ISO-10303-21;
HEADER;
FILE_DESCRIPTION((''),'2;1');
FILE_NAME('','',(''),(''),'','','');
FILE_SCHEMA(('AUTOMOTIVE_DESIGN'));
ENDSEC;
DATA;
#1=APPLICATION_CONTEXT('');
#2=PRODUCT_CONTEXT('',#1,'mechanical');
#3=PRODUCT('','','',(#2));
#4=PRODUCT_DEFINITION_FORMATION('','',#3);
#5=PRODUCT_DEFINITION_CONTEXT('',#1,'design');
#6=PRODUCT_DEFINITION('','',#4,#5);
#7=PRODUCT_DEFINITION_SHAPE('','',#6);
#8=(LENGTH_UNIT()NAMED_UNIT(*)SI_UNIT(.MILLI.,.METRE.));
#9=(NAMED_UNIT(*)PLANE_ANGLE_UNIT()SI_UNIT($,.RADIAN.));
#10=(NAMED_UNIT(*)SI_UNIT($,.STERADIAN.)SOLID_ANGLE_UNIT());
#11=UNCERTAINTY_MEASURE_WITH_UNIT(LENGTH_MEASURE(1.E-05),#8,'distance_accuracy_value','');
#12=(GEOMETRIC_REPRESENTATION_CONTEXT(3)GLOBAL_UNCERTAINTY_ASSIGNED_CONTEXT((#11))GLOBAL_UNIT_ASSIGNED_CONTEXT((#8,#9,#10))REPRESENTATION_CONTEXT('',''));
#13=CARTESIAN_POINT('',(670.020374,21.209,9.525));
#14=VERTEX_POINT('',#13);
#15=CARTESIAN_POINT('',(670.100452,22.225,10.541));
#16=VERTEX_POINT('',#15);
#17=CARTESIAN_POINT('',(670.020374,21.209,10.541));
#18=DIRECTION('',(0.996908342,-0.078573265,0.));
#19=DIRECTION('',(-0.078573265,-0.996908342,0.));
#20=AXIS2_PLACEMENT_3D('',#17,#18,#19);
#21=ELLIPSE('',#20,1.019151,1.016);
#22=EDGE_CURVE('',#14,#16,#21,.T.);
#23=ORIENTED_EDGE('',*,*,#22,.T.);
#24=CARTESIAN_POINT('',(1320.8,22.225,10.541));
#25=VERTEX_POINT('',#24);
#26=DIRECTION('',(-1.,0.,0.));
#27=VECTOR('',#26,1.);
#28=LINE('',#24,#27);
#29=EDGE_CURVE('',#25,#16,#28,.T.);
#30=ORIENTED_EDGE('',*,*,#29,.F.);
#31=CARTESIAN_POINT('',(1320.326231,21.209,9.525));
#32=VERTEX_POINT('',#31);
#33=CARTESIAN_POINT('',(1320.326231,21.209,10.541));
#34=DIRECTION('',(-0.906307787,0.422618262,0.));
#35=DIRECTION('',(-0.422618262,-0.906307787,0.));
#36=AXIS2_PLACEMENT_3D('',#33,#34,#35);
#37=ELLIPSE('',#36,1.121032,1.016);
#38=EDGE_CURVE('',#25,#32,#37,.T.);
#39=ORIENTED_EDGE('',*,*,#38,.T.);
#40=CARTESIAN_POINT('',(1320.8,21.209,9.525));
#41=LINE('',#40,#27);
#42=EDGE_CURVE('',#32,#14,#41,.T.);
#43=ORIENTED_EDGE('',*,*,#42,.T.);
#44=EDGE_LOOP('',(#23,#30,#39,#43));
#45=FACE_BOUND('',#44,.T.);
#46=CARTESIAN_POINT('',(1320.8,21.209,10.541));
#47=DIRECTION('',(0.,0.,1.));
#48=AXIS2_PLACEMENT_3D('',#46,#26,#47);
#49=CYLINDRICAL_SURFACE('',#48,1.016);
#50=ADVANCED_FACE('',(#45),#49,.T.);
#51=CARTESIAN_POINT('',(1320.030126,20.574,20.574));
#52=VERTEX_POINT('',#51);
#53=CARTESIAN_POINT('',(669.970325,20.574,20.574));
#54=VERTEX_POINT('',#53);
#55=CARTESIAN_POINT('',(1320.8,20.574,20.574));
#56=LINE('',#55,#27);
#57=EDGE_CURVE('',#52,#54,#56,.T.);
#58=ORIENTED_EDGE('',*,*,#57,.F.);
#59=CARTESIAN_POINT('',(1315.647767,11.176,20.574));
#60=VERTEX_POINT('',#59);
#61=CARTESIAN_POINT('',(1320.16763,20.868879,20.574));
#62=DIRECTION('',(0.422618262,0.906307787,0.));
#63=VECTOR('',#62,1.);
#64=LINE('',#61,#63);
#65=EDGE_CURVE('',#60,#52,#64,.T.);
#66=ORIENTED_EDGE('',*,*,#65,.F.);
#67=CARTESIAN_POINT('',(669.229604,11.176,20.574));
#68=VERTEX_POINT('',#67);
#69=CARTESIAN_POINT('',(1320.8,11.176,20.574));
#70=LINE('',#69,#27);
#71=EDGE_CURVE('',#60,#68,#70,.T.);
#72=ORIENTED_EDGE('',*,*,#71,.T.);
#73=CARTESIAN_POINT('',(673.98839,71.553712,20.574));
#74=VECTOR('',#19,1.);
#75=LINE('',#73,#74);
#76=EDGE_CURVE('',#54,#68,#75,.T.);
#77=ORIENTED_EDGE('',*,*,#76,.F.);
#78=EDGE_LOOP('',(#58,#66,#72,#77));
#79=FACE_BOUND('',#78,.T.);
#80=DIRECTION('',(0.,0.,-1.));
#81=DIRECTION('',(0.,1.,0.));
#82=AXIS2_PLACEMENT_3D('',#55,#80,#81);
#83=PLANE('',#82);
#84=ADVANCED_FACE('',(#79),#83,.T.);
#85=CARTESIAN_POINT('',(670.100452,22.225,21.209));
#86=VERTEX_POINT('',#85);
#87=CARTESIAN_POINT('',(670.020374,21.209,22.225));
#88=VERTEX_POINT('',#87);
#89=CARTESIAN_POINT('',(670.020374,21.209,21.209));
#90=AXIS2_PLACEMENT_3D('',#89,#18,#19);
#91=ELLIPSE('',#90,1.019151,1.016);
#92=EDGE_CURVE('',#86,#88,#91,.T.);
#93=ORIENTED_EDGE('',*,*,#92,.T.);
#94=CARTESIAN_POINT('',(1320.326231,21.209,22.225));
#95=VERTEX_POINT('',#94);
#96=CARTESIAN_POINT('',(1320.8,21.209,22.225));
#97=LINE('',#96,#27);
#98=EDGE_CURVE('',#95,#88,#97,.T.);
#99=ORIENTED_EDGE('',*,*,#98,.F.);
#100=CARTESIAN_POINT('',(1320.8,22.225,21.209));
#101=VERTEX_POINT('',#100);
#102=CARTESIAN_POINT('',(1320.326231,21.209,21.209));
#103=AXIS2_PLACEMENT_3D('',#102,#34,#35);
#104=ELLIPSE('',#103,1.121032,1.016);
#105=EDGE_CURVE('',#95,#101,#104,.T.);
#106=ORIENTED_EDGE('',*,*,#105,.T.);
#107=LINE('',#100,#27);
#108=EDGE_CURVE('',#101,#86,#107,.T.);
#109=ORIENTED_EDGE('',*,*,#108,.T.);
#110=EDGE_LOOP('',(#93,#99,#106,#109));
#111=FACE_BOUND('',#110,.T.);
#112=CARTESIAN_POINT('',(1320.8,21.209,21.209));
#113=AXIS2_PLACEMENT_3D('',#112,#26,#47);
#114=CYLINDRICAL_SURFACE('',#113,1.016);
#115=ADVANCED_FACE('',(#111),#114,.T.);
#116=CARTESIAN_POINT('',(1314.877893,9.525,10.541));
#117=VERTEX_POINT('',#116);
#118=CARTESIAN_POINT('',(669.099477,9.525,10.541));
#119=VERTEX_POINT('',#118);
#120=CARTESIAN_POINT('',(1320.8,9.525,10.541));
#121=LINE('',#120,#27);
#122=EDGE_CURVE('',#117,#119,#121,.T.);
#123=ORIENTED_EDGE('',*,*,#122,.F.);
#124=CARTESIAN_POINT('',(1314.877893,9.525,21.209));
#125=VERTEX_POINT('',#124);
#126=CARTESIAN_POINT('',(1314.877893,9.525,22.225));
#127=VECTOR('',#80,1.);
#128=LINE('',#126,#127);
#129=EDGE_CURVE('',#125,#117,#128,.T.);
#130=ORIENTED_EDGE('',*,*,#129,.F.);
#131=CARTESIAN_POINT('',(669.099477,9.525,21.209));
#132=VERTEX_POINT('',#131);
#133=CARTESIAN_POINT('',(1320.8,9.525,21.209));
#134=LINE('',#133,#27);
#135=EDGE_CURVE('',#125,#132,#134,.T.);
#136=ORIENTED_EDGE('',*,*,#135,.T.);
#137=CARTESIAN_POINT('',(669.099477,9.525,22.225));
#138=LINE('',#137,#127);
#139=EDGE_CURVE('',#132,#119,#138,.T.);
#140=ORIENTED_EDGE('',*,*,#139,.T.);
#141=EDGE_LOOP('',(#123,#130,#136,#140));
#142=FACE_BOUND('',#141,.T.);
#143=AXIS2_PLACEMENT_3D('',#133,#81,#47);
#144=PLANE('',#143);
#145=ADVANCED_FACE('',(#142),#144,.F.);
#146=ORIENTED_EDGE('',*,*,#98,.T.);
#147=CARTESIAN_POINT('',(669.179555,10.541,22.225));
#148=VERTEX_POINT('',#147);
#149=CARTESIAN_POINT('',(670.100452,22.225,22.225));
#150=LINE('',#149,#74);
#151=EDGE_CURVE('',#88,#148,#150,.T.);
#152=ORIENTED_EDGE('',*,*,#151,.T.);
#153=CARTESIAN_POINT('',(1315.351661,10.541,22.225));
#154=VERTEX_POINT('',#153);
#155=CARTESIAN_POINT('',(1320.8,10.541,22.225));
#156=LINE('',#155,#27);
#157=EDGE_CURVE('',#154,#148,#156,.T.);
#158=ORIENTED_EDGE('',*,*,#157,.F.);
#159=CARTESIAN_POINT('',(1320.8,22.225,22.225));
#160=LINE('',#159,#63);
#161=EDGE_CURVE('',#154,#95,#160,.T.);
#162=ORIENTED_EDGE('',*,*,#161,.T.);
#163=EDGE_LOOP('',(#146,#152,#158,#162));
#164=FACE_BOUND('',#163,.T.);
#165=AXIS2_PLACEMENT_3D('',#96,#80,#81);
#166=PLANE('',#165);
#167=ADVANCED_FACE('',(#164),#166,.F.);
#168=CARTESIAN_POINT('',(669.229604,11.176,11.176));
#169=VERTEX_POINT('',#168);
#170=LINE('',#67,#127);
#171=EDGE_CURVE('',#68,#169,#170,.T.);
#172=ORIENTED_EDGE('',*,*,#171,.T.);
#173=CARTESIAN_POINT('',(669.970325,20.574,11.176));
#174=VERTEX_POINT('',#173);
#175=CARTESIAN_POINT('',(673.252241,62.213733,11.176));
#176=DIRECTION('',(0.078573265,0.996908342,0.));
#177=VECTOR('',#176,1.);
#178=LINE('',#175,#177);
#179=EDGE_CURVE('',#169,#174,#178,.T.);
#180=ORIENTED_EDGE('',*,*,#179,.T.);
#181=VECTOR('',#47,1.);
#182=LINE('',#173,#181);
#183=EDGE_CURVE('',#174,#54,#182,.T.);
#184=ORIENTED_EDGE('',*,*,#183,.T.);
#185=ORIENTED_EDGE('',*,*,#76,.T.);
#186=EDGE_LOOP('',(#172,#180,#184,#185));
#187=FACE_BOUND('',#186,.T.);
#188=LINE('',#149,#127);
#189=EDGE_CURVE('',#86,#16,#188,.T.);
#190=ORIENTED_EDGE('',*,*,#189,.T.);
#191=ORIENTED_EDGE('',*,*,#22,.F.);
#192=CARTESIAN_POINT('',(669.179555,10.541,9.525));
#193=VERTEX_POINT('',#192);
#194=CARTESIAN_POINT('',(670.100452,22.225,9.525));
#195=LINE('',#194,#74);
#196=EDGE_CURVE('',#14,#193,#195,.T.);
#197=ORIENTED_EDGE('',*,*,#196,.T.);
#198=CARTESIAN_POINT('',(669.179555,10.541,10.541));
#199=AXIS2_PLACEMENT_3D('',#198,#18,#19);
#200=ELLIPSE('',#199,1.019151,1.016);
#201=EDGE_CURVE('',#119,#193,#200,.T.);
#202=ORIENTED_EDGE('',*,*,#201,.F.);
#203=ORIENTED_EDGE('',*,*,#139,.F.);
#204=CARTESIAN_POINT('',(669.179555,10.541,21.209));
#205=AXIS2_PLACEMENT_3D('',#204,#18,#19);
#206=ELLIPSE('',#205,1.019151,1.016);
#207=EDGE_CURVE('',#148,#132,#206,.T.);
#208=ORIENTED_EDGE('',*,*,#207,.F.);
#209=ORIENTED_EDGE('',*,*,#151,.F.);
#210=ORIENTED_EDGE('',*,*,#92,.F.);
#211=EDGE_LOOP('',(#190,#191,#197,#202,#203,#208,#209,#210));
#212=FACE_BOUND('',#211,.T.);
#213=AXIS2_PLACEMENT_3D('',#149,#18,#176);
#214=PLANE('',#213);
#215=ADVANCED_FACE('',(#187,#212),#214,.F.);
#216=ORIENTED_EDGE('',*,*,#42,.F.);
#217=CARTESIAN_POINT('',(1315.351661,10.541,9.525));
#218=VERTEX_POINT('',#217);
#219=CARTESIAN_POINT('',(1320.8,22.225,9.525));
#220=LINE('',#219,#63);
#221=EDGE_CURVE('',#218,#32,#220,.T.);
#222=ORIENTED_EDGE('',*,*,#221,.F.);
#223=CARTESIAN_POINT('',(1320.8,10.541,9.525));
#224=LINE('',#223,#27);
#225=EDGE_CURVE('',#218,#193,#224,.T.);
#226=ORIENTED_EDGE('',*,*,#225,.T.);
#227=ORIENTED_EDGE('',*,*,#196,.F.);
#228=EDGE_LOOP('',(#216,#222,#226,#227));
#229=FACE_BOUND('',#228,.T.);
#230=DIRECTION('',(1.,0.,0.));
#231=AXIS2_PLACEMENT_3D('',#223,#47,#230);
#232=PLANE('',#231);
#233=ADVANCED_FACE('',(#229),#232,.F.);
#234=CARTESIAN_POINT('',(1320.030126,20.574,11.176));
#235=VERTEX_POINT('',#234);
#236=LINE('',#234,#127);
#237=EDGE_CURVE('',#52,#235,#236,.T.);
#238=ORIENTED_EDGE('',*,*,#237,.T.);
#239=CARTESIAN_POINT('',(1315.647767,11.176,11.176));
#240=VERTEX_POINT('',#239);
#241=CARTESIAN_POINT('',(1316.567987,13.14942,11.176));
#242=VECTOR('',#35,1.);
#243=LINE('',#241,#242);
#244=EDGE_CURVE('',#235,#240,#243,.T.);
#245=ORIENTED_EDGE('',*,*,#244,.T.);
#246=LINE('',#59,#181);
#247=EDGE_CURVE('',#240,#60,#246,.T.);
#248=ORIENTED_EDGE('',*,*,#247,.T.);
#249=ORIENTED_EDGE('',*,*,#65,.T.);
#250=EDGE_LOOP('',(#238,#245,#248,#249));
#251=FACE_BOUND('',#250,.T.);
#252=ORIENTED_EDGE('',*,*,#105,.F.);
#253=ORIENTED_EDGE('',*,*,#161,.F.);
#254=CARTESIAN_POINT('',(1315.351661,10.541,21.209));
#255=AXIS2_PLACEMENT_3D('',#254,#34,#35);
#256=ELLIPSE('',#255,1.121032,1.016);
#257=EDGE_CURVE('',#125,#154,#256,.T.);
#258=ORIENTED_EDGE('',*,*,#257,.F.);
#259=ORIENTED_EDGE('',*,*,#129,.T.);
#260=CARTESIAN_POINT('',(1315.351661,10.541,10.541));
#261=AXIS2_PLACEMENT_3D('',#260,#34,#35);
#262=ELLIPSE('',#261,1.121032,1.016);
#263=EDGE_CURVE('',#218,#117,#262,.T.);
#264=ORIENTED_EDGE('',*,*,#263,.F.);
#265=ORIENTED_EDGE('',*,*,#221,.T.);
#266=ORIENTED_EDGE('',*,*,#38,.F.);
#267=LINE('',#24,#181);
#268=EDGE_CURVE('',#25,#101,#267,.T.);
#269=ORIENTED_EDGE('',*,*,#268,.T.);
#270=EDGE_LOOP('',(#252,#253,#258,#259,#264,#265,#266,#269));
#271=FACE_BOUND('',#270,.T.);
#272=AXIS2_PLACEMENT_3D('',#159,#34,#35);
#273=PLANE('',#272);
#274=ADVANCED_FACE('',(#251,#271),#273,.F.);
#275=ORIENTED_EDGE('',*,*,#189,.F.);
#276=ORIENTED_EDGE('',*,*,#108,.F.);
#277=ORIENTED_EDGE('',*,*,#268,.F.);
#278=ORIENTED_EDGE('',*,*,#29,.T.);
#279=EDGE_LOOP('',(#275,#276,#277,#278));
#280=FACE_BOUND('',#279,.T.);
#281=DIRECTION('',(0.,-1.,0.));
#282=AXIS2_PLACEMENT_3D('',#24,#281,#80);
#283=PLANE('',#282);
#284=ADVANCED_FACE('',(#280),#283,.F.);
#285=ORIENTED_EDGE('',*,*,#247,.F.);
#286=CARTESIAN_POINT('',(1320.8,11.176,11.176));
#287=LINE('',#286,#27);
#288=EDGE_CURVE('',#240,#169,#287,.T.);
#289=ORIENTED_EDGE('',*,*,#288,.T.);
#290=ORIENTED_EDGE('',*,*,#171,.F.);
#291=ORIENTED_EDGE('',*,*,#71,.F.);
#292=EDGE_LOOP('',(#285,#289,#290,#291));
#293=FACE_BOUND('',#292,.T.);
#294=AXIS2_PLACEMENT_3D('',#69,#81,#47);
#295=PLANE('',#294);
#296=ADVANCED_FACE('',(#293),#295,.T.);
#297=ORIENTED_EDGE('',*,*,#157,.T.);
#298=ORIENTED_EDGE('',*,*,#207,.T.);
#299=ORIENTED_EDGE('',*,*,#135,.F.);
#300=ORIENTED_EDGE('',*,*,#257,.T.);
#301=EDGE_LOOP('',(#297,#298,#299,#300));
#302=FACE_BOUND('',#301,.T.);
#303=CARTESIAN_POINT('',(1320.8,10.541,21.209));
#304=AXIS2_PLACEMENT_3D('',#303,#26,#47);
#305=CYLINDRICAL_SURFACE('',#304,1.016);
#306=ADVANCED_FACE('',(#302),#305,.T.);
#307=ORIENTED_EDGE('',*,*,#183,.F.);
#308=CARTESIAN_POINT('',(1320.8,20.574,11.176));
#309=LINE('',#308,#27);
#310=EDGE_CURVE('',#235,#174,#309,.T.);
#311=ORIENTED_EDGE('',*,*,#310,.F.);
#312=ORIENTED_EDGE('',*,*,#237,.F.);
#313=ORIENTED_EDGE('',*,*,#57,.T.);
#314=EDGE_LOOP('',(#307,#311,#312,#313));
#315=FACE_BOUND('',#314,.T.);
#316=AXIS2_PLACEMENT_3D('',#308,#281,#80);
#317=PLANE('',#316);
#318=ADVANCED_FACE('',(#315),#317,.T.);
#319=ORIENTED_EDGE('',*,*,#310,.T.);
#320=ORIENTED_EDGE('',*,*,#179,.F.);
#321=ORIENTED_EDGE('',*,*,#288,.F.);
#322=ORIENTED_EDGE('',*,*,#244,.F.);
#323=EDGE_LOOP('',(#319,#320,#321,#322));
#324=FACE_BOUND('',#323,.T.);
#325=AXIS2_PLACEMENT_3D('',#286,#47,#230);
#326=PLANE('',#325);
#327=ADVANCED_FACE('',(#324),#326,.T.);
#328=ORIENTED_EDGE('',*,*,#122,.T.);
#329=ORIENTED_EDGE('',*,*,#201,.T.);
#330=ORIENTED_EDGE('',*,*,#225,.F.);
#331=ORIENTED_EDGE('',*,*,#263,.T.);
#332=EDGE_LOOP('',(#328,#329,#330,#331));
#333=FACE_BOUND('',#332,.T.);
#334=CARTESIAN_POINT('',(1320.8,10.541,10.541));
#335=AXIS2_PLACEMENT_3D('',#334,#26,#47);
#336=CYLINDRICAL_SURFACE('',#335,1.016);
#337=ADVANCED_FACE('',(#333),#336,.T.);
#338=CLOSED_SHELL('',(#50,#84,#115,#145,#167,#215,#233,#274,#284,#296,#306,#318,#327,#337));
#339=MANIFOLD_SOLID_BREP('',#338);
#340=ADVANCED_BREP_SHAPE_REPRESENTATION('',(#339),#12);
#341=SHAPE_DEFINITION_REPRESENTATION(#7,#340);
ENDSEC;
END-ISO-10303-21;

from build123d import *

# Parameters (mm, degrees)
SKETCH1_W           = 23.495
SKETCH1_H           = 23.495
BOSS_EXTRUDE1_DEPTH = 1320.8
SCALE4_SCALE_X      = 1
SCALE4_SCALE_Y      = 0.4
SCALE4_SCALE_Z      = 0.4
CUT_EXTRUDE1_DEPTH  = 1322.04802369


with BuildPart() as part:
    # Sketch1 → Boss-Extrude1 (new body)
    with BuildSketch(Plane(origin=(0, 0, 0), x_dir=(0, 0, -1), z_dir=(1, 0, 0))):
        with BuildLine():
            Line((0, 2.54), (0, 29.21))
            ThreePointArc((0, 29.21), (-0.743948776, 31.006051224), (-2.54, 31.75))
            Line((-2.54, 31.75), (-29.21, 31.75))
            ThreePointArc((-29.21, 31.75), (-31.006051224, 31.006051224), (-31.75, 29.21))
            Line((-31.75, 29.21), (-31.75, 2.54))
            ThreePointArc((-31.75, 2.54), (-31.006051224, 0.743948776), (-29.21, 0))
            Line((-29.21, 0), (-2.54, 0))
            ThreePointArc((-2.54, 0), (-0.743948776, 0.743948776), (0, 2.54))
        make_face()
        with Locations((-15.875, 15.875)):
            Rectangle(SKETCH1_W, SKETCH1_H, mode=Mode.SUBTRACT)
    extrude(amount=BOSS_EXTRUDE1_DEPTH)


with BuildPart() as part_1:
    # Scale4: scaled about (660.4, 15.875, 15.875)
    add(part.part.scale((SCALE4_SCALE_X, SCALE4_SCALE_Y, SCALE4_SCALE_Z), about=(660.4, 15.875, 15.875)))

    # Sketch3 → Cut-Extrude1 (cut, through all)
    with BuildSketch(Plane(origin=(0, 0, 9.525), x_dir=(-1, 0, 0), z_dir=(0, 0, -1))):
        Polygon((-1320.8, 22.225), (-1314.877892741, 9.525), (-1320.8, 9.525), align=None)
        Polygon((-670.100451899, 22.225), (-669.099476758, 9.525), (-619.573747082, 9.525), (-619.573747082, 22.225), align=None)
    extrude(amount=-CUT_EXTRUDE1_DEPTH, mode=Mode.SUBTRACT)


with BuildPart() as cut_extrude1_kept_piece:
    # of the separate pieces the step leaves, the one the design keeps (cut_extrude1_pieces_kept)
    add(part_1.part.solids().sort_by_distance((670.020373888, 21.209, 9.525))[0])


solid = cut_extrude1_kept_piece.part
